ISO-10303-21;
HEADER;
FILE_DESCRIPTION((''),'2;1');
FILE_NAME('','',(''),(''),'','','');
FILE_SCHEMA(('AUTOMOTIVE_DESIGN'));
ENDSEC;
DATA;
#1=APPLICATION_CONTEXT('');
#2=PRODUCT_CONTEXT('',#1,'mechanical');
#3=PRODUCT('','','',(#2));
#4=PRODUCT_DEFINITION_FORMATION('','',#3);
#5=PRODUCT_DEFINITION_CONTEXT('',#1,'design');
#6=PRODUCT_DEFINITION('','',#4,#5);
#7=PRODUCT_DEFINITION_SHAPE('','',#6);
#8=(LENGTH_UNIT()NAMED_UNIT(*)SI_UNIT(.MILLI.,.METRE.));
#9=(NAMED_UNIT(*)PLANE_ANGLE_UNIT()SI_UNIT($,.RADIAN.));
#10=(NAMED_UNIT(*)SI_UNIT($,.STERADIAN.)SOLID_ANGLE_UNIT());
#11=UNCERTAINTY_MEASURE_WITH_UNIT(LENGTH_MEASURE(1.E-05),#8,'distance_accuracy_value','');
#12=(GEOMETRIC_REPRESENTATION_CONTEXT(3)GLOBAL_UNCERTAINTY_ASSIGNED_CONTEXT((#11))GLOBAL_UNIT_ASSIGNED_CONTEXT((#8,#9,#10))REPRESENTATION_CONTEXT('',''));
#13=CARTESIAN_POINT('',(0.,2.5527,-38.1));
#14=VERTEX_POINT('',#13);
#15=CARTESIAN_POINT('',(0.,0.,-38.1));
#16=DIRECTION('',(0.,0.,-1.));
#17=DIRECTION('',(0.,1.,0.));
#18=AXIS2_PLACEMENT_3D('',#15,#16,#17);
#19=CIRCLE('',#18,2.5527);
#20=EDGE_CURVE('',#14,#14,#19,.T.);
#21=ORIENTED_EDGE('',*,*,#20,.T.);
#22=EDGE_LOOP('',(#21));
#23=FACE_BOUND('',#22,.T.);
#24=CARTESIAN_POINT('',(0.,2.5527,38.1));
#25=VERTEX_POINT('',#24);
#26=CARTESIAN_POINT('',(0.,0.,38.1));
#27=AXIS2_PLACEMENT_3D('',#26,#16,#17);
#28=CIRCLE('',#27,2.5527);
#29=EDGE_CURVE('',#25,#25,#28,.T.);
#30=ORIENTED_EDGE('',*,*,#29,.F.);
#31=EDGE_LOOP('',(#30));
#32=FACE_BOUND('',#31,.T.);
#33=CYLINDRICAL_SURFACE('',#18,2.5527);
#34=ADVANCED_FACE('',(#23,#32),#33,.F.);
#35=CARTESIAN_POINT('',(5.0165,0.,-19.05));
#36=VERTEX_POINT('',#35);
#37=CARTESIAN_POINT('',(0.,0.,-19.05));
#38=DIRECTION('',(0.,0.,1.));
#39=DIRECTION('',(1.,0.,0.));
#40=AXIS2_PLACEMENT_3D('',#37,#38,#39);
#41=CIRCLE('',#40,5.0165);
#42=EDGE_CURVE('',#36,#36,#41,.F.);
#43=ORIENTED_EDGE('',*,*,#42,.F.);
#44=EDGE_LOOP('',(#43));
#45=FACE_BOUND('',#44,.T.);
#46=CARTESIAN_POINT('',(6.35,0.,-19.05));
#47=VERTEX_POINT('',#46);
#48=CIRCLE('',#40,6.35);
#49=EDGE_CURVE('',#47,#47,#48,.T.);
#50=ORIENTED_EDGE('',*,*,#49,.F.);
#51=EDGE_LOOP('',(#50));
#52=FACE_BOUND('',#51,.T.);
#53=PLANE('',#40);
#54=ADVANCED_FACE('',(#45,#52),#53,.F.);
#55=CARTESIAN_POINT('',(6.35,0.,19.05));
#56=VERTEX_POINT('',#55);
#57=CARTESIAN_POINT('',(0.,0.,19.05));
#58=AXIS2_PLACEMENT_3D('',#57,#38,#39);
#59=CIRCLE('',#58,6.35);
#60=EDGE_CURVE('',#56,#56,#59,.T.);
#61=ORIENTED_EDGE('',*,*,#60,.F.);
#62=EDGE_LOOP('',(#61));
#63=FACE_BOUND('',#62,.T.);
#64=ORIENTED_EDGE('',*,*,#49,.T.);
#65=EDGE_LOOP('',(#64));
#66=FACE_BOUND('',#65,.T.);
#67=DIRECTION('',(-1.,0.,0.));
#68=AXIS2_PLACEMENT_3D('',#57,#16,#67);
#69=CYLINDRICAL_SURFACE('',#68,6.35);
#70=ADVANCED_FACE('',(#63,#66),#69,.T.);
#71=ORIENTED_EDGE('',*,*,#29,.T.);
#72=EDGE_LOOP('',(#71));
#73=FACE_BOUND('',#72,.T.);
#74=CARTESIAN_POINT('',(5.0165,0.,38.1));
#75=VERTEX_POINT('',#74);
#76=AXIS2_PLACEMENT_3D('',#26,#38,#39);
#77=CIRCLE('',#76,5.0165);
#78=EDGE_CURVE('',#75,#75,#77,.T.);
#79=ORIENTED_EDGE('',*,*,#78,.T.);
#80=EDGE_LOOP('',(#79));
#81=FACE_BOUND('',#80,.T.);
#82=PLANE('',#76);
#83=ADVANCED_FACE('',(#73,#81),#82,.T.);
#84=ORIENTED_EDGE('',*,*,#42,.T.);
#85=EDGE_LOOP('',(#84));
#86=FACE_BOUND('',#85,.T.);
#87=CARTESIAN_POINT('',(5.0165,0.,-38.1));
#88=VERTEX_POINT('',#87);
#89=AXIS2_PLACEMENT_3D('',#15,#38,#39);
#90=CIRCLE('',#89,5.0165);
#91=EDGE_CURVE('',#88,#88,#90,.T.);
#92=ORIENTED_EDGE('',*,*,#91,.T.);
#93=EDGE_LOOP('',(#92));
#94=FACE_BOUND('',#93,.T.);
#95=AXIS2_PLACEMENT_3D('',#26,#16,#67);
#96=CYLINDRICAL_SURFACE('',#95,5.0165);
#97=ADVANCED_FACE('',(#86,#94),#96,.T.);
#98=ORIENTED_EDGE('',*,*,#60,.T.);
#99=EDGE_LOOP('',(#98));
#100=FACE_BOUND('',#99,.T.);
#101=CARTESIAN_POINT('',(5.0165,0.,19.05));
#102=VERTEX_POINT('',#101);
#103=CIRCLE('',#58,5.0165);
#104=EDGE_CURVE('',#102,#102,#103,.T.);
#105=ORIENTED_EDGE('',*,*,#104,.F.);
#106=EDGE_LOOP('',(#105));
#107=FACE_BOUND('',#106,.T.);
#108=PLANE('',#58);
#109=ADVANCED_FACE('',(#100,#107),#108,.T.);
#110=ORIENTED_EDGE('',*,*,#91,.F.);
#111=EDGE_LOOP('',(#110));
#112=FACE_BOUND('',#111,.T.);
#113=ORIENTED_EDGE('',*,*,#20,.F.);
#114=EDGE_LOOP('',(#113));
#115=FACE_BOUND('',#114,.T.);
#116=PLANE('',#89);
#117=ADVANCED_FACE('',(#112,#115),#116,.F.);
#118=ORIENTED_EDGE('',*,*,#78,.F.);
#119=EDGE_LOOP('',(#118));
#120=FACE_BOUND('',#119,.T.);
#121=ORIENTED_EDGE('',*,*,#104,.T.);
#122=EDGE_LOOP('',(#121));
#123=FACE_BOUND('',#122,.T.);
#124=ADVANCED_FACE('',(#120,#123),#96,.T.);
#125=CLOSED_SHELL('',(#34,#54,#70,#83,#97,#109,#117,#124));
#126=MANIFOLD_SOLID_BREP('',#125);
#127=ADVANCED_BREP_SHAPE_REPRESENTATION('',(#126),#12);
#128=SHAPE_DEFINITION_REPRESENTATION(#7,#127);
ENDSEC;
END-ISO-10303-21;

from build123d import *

# Parameters (mm, degrees)
SKETCH1_R                  = 6.35
SKETCH1_R_2                = 5.0165
BOSS_EXTRUDE1_DEPTH        = 19.05
SKETCH1_4_R                = 5.0165
BOSS_EXTRUDE2_DEPTH        = 38.1
F_7_0_201_DIAMETER_HOLE1_D = 5.1054


with BuildPart() as part:
    # Sketch1 → Boss-Extrude1 (new, symmetric)
    with BuildSketch(Plane.XY):
        Circle(SKETCH1_R)
        Circle(SKETCH1_R_2, mode=Mode.SUBTRACT)
    extrude(amount=BOSS_EXTRUDE1_DEPTH, both=True)

    # Sketch1<4> → Boss-Extrude2 (add, symmetric)
    with BuildSketch(Plane.XY):
        Circle(SKETCH1_4_R)
    extrude(amount=BOSS_EXTRUDE2_DEPTH, both=True)

    # #7 (0.201) Diameter Hole1 (through all)
    with Locations(Plane(origin=(0, 0, -38.1), x_dir=(-1, 0, 0), z_dir=(0, 0, -1))):
        with Locations((0, 0)):
            Hole(F_7_0_201_DIAMETER_HOLE1_D / 2)


solid = part.part
